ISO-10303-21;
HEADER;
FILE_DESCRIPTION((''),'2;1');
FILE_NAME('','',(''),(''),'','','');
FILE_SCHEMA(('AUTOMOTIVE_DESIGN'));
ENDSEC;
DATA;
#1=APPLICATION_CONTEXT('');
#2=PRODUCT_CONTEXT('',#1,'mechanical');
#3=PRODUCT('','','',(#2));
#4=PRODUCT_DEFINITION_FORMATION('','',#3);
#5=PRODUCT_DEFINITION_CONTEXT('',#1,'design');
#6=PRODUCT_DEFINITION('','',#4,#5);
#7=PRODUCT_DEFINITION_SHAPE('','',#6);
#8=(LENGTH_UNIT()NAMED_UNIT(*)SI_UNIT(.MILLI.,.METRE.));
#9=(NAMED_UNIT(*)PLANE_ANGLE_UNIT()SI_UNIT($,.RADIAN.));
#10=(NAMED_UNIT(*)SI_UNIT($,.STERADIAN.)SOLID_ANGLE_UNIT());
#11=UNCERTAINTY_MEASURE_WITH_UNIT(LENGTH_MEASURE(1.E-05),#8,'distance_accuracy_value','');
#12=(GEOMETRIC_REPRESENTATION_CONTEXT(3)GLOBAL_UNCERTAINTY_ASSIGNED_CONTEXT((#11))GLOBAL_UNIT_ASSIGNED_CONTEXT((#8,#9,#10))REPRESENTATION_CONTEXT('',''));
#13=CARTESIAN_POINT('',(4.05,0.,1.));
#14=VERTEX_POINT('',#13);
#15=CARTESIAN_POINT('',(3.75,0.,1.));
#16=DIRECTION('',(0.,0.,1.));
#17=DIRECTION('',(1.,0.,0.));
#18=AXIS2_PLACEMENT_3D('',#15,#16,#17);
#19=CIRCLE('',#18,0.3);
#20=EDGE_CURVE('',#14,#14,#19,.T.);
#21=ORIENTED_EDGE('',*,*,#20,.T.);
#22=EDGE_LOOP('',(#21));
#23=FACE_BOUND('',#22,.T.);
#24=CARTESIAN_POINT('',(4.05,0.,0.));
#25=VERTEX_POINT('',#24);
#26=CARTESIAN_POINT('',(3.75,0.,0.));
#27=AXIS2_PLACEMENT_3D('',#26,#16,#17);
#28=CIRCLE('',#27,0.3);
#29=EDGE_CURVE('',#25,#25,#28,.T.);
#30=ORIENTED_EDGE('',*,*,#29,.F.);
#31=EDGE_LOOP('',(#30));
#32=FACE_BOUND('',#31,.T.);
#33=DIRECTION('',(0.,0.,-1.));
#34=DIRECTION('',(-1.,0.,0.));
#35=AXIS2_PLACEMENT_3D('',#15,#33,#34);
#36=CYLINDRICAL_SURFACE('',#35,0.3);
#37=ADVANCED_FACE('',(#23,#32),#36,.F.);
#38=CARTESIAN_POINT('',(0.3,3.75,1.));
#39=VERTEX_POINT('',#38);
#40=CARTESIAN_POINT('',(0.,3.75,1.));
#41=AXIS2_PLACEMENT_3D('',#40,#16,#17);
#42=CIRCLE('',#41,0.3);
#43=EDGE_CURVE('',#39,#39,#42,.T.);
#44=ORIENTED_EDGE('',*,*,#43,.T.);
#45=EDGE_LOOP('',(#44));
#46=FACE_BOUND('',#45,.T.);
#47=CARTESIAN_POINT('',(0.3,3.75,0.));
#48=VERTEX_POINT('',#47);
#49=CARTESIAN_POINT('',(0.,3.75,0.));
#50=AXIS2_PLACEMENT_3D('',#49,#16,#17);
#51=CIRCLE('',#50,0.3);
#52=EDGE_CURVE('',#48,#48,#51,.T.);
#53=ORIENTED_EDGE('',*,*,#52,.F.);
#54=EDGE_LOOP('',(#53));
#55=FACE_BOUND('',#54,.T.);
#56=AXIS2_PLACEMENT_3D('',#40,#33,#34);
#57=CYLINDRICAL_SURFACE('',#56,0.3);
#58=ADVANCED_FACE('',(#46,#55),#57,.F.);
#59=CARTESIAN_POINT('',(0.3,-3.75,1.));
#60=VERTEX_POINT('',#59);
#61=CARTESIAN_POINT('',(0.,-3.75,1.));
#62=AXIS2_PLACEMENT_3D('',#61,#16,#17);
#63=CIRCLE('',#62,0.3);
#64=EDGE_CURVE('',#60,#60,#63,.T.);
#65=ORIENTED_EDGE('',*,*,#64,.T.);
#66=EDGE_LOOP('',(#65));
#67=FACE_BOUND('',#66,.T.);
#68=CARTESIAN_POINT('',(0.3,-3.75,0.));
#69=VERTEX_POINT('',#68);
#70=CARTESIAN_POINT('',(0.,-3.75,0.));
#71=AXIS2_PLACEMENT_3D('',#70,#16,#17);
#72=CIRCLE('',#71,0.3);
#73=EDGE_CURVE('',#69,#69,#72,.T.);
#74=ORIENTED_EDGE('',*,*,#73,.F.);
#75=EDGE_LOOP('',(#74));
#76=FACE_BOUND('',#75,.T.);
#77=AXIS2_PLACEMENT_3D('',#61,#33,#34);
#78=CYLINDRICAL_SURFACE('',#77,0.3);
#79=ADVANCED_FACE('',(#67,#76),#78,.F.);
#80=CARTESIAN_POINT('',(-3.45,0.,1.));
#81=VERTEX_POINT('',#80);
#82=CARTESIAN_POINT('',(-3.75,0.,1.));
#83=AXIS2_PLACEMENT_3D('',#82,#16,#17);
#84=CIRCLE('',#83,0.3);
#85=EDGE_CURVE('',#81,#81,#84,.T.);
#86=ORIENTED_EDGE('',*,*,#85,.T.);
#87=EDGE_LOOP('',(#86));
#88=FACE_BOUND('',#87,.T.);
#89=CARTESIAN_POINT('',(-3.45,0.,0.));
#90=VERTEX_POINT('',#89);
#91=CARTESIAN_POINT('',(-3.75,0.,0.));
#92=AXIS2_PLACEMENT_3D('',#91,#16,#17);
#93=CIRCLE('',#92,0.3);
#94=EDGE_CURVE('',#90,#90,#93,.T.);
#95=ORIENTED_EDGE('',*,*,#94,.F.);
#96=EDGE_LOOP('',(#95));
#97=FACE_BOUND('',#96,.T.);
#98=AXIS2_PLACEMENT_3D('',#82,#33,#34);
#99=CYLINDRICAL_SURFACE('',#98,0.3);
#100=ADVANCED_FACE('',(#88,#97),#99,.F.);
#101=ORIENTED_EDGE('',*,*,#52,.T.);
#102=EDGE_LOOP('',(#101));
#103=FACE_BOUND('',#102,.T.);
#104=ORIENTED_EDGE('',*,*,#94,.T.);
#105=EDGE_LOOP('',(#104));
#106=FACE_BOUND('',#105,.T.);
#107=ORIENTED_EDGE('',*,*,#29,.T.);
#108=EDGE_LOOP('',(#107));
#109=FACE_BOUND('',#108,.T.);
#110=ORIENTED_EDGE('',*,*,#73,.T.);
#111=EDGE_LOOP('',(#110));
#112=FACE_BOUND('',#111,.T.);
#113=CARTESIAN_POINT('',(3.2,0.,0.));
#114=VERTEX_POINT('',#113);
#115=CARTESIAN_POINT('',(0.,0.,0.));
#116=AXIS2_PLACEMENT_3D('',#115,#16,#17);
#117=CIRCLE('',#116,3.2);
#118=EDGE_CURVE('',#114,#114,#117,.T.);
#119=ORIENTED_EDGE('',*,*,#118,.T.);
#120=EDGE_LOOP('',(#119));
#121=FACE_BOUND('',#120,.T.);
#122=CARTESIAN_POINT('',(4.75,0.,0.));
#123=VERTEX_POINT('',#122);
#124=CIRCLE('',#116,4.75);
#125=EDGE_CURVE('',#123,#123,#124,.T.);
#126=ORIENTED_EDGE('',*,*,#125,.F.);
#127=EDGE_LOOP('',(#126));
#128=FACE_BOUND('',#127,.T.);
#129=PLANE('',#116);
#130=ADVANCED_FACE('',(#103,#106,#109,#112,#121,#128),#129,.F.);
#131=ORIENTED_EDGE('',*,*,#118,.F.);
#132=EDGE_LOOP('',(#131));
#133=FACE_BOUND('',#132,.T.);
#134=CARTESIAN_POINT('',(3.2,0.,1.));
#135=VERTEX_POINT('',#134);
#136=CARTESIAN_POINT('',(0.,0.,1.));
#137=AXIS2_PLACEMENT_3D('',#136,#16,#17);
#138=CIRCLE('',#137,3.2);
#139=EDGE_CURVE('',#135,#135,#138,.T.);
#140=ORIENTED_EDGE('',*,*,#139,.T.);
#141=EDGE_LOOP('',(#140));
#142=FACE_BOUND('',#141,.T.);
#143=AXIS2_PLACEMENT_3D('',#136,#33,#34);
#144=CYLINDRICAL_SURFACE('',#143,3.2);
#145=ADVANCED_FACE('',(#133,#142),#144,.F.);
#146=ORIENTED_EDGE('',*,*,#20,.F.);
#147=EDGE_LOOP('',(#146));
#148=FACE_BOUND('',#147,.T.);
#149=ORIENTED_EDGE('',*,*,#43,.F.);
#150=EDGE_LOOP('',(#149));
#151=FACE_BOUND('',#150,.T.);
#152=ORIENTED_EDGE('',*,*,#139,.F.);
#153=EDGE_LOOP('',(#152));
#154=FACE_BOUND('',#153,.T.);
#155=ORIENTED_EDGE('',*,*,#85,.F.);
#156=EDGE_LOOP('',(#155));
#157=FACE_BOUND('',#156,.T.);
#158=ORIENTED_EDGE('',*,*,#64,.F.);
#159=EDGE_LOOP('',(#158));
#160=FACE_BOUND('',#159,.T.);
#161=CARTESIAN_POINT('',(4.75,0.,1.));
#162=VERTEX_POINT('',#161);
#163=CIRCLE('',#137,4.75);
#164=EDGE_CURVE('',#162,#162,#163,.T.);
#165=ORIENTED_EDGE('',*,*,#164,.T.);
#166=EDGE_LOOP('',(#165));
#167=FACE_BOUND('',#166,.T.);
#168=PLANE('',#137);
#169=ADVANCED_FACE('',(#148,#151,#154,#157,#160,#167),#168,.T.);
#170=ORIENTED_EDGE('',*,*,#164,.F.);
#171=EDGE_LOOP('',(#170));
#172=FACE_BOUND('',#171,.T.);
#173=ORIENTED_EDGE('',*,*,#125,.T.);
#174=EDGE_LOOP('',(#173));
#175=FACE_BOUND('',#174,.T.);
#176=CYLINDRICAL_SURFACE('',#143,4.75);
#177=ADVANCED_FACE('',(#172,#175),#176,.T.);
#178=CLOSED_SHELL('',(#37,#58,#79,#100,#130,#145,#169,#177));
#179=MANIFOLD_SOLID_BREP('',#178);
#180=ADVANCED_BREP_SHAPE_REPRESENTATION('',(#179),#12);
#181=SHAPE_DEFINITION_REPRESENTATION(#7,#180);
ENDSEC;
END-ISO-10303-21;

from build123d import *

# Parameters (mm, degrees)
ESQUISSE1_R        = 4.75
ESQUISSE1_R_2      = 3.2
ESQUISSE1_R_3      = 0.3
BOSS_EXTRU_1_DEPTH = 1


with BuildPart() as part:
    # Esquisse1 → Boss.-Extru.1 (new body)
    with BuildSketch(Plane.XY):
        Circle(ESQUISSE1_R)
        Circle(ESQUISSE1_R_2, mode=Mode.SUBTRACT)
        with Locations((0, 3.75)):
            Circle(ESQUISSE1_R_3, mode=Mode.SUBTRACT)
        with Locations((3.75, 0)):
            Circle(ESQUISSE1_R_3, mode=Mode.SUBTRACT)
        with Locations((0, -3.75)):
            Circle(ESQUISSE1_R_3, mode=Mode.SUBTRACT)
        with Locations((-3.75, 0)):
            Circle(ESQUISSE1_R_3, mode=Mode.SUBTRACT)
    extrude(amount=BOSS_EXTRU_1_DEPTH)


solid = part.part
